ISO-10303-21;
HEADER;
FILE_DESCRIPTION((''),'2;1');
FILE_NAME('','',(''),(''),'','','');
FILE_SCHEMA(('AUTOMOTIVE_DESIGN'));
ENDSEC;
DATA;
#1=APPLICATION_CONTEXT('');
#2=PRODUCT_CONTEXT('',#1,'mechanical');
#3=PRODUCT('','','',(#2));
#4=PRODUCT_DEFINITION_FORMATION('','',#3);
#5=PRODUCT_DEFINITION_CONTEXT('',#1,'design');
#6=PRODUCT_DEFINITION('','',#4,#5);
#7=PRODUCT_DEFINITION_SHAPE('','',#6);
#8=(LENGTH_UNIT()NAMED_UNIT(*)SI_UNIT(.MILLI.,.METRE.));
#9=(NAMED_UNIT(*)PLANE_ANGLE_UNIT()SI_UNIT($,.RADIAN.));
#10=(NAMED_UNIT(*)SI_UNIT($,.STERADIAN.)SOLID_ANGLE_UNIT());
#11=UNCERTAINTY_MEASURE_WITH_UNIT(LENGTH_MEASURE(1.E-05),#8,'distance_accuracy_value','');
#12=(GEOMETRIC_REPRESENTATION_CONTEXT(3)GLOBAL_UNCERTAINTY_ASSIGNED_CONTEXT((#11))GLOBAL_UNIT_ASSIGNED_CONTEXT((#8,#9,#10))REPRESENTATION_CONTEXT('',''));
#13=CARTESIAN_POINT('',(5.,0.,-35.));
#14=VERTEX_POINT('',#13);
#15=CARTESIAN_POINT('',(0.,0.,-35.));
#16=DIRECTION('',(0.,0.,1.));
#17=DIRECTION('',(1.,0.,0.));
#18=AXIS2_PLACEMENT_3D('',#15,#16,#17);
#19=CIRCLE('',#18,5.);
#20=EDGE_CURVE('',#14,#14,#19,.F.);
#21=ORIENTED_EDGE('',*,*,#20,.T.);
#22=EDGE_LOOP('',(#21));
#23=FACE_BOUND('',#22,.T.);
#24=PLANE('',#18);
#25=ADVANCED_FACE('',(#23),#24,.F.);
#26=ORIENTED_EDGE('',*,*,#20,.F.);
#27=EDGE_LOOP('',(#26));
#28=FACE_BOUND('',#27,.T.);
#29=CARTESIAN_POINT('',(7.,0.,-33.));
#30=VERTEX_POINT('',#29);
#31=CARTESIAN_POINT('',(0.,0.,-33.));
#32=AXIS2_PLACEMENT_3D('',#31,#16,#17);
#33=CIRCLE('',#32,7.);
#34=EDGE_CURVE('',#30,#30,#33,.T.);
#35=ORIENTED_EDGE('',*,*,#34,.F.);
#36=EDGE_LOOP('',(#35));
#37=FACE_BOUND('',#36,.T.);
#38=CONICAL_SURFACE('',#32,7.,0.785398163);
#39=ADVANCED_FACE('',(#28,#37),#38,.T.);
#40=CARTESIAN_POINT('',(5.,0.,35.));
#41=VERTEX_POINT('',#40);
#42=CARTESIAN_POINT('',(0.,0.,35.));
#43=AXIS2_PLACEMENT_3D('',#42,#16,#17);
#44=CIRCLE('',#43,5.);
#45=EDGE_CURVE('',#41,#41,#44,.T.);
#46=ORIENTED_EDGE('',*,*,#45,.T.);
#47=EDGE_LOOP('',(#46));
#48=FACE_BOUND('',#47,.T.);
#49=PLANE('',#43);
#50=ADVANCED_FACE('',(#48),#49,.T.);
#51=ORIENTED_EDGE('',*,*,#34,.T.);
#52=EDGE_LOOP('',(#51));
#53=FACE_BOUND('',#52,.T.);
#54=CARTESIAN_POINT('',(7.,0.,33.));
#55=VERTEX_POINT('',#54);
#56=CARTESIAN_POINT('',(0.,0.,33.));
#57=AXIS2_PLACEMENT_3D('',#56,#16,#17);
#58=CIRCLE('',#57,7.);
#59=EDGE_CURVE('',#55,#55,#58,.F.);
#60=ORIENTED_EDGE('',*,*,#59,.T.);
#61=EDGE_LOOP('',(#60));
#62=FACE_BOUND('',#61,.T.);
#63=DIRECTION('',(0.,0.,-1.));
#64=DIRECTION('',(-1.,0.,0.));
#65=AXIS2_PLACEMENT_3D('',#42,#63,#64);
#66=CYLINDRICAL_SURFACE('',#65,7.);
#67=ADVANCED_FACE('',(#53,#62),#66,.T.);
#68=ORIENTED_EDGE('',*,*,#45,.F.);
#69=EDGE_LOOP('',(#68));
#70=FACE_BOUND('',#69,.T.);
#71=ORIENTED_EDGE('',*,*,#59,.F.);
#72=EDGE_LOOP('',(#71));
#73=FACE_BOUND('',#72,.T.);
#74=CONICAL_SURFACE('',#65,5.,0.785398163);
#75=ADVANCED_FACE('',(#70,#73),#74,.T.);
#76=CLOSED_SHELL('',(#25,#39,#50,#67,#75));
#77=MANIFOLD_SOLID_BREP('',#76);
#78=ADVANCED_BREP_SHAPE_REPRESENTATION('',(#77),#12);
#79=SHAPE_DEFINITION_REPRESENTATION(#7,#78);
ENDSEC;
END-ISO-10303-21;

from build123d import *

# Parameters (mm, degrees)
SKETCH2_R           = 7
BOSS_EXTRUDE1_DEPTH = 35
CHAMFER1_SIZE       = 2
CHAMFER2_SIZE       = 2


with BuildPart() as part:
    # Sketch2 → Boss-Extrude1 (new body, symmetric)
    with BuildSketch(Plane.XY):
        Circle(SKETCH2_R)
    extrude(amount=BOSS_EXTRUDE1_DEPTH, both=True)

    # Chamfer1
    chamfer1_edges = [part.edges().sort_by_distance(p)[0] for p in [
        (-7, 0, -35),
    ]]
    chamfer(chamfer1_edges, length=CHAMFER1_SIZE)

    # Chamfer2
    chamfer2_edges = [part.edges().sort_by_distance(p)[0] for p in [
        (-7, 0, 35),
    ]]
    chamfer(chamfer2_edges, length=CHAMFER2_SIZE)


solid = part.part
